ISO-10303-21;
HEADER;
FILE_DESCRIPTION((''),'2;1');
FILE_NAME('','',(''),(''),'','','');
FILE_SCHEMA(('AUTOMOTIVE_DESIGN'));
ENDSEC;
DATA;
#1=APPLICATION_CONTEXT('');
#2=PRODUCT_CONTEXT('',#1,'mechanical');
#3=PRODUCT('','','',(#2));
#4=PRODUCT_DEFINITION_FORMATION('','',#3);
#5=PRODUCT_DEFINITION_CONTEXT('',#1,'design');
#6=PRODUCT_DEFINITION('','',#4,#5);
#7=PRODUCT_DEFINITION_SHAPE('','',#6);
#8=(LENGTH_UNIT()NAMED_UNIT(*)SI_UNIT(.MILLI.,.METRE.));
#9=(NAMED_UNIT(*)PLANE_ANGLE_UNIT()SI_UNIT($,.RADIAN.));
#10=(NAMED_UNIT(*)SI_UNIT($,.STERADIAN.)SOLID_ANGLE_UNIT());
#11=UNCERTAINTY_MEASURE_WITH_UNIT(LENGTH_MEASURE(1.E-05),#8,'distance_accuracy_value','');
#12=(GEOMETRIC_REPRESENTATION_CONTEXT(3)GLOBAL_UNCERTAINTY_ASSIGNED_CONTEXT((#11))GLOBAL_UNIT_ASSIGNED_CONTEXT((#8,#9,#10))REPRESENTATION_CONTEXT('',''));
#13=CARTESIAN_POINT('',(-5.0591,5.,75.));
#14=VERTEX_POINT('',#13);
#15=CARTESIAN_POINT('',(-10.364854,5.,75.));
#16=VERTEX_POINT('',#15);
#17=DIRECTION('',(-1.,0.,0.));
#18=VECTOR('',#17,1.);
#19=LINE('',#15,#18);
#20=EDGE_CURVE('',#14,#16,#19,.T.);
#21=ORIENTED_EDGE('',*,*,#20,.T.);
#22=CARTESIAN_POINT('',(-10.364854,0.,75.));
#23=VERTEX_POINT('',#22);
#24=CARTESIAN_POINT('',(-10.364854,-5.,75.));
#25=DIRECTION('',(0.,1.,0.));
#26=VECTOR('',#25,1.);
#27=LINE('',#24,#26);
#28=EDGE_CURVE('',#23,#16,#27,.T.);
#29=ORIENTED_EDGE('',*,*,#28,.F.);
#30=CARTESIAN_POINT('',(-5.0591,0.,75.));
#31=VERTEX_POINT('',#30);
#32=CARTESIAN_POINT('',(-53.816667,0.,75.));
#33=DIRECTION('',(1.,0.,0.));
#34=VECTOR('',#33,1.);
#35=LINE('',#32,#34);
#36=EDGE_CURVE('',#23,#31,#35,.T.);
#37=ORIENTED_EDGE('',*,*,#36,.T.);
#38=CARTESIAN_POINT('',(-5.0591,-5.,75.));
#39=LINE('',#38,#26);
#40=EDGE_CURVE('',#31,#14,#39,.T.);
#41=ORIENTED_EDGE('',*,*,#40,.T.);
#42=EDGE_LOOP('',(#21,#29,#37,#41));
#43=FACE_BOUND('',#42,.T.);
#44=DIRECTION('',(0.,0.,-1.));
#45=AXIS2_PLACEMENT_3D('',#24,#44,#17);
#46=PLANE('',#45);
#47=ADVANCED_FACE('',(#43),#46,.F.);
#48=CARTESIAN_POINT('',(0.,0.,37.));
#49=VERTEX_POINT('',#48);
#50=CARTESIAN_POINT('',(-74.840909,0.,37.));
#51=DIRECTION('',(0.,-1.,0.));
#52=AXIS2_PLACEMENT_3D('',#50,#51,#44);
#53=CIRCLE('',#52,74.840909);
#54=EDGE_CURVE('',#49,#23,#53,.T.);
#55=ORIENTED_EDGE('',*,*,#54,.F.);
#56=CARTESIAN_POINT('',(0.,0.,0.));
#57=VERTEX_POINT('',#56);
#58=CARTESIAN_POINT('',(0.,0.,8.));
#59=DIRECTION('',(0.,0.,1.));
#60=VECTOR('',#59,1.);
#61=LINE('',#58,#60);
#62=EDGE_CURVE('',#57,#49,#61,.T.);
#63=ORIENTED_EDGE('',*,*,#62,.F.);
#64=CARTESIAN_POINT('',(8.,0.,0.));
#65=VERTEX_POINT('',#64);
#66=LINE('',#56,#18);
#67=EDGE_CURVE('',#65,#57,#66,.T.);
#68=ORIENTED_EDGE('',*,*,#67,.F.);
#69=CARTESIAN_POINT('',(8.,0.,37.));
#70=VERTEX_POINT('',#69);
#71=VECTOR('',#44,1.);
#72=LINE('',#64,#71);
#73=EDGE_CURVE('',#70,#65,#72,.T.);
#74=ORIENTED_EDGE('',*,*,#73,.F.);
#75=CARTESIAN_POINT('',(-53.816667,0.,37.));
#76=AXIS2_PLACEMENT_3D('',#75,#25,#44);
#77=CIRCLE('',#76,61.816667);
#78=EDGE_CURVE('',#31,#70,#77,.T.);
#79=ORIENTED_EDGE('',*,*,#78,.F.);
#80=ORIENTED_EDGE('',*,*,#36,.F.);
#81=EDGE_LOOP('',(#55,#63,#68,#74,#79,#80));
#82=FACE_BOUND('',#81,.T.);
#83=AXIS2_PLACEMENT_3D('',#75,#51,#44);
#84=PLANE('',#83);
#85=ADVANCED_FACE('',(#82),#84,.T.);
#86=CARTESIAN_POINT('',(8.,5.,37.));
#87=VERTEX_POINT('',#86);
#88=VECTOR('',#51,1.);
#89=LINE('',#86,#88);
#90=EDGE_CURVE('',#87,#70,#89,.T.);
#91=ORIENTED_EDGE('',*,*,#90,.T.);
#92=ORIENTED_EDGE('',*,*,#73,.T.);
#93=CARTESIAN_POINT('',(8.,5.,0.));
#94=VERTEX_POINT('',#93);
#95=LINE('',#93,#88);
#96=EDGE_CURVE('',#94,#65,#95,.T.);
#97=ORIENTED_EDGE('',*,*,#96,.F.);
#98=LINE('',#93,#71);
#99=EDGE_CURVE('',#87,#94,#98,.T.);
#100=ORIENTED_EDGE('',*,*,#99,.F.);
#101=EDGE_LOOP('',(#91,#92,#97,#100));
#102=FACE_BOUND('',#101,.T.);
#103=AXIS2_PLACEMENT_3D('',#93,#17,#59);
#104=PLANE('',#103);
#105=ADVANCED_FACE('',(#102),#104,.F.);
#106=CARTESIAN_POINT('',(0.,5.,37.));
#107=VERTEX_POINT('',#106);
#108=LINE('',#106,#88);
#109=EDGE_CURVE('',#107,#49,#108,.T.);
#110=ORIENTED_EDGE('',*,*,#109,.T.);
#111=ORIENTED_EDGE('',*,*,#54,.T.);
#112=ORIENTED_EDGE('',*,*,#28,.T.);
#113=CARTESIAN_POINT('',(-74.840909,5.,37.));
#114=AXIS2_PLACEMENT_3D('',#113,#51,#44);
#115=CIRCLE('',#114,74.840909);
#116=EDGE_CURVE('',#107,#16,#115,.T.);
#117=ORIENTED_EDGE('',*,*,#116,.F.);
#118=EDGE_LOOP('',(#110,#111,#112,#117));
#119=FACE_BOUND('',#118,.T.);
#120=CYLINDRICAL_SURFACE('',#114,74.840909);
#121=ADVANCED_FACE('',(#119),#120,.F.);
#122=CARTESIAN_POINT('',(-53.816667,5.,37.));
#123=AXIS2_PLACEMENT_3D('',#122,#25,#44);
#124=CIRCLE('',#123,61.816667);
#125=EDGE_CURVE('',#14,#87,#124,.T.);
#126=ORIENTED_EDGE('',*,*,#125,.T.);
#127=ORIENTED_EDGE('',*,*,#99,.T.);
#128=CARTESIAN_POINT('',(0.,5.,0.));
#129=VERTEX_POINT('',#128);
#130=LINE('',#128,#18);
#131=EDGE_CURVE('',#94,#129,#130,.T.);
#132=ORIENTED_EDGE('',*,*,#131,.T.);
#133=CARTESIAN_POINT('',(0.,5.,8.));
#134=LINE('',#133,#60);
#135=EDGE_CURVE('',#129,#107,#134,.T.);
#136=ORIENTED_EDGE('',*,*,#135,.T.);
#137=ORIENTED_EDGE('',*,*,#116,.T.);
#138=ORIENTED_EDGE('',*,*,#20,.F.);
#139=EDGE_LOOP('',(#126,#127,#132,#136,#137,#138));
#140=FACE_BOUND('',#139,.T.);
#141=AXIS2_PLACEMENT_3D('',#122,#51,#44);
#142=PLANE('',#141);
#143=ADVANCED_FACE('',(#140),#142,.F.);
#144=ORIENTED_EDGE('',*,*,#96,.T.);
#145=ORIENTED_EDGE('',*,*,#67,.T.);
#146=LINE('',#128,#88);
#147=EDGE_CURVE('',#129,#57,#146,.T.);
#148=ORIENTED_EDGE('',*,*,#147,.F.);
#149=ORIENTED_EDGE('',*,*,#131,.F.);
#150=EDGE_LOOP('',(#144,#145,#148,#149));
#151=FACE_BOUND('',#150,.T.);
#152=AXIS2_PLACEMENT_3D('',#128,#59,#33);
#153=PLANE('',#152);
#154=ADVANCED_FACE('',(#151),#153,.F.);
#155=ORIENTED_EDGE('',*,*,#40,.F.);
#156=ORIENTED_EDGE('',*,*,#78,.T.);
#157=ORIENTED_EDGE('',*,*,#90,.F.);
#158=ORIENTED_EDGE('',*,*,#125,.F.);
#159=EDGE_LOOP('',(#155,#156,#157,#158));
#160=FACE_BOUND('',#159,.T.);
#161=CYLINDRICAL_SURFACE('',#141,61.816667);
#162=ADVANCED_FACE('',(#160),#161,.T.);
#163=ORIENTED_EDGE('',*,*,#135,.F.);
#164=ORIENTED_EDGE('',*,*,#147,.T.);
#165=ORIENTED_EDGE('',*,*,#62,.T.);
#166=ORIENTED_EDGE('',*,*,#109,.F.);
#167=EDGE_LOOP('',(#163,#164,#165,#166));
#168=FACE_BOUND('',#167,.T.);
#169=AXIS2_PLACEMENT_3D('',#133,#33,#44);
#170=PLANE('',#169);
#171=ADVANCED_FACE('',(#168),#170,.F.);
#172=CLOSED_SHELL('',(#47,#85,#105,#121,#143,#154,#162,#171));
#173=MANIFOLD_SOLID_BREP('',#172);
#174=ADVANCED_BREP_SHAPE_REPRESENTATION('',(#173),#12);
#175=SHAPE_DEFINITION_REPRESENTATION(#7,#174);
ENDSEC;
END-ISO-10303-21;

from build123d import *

# Parameters (mm, degrees)
BOSS_EXTRUDE1_DEPTH = 5
CUT_EXTRUDE1_START  = -10
CUT_EXTRUDE1_DEPTH  = 10


with BuildPart() as part:
    # Sketch1 → Boss-Extrude1 (new body)
    with BuildSketch(Plane(origin=(0, 0, 0), x_dir=(1, 0, 0), z_dir=(0, 1, 0))):
        with BuildLine():
            Line((0, 0), (8, 0))
            Line((8, 0), (8, -37))
            ThreePointArc((8, -37), (-0.020288742, -67.450779957), (-22, -90))
            ThreePointArc((-22, -90), (-5.718469366, -65.692333471), (0, -37))
            Line((0, -37), (0, -8))
            Line((0, -8), (0, 0))
        make_face()
    extrude(amount=BOSS_EXTRUDE1_DEPTH)

    # Sketch2 → Cut-Extrude1 (cut)
    with BuildSketch(Plane(origin=(0, 5, 0), x_dir=(1, 0, 0), z_dir=(0, 1, 0)).offset(CUT_EXTRUDE1_START)):
        with BuildLine():
            Line((-10.364854051, -75), (-5.059100302, -75))
            ThreePointArc((-5.059100302, -75), (-12.837382179, -83.28172988), (-22, -90))
            ThreePointArc((-22, -90), (-15.704900448, -82.870406095), (-10.364854051, -75))
        make_face()
    extrude(amount=CUT_EXTRUDE1_DEPTH, mode=Mode.SUBTRACT)


solid = part.part
